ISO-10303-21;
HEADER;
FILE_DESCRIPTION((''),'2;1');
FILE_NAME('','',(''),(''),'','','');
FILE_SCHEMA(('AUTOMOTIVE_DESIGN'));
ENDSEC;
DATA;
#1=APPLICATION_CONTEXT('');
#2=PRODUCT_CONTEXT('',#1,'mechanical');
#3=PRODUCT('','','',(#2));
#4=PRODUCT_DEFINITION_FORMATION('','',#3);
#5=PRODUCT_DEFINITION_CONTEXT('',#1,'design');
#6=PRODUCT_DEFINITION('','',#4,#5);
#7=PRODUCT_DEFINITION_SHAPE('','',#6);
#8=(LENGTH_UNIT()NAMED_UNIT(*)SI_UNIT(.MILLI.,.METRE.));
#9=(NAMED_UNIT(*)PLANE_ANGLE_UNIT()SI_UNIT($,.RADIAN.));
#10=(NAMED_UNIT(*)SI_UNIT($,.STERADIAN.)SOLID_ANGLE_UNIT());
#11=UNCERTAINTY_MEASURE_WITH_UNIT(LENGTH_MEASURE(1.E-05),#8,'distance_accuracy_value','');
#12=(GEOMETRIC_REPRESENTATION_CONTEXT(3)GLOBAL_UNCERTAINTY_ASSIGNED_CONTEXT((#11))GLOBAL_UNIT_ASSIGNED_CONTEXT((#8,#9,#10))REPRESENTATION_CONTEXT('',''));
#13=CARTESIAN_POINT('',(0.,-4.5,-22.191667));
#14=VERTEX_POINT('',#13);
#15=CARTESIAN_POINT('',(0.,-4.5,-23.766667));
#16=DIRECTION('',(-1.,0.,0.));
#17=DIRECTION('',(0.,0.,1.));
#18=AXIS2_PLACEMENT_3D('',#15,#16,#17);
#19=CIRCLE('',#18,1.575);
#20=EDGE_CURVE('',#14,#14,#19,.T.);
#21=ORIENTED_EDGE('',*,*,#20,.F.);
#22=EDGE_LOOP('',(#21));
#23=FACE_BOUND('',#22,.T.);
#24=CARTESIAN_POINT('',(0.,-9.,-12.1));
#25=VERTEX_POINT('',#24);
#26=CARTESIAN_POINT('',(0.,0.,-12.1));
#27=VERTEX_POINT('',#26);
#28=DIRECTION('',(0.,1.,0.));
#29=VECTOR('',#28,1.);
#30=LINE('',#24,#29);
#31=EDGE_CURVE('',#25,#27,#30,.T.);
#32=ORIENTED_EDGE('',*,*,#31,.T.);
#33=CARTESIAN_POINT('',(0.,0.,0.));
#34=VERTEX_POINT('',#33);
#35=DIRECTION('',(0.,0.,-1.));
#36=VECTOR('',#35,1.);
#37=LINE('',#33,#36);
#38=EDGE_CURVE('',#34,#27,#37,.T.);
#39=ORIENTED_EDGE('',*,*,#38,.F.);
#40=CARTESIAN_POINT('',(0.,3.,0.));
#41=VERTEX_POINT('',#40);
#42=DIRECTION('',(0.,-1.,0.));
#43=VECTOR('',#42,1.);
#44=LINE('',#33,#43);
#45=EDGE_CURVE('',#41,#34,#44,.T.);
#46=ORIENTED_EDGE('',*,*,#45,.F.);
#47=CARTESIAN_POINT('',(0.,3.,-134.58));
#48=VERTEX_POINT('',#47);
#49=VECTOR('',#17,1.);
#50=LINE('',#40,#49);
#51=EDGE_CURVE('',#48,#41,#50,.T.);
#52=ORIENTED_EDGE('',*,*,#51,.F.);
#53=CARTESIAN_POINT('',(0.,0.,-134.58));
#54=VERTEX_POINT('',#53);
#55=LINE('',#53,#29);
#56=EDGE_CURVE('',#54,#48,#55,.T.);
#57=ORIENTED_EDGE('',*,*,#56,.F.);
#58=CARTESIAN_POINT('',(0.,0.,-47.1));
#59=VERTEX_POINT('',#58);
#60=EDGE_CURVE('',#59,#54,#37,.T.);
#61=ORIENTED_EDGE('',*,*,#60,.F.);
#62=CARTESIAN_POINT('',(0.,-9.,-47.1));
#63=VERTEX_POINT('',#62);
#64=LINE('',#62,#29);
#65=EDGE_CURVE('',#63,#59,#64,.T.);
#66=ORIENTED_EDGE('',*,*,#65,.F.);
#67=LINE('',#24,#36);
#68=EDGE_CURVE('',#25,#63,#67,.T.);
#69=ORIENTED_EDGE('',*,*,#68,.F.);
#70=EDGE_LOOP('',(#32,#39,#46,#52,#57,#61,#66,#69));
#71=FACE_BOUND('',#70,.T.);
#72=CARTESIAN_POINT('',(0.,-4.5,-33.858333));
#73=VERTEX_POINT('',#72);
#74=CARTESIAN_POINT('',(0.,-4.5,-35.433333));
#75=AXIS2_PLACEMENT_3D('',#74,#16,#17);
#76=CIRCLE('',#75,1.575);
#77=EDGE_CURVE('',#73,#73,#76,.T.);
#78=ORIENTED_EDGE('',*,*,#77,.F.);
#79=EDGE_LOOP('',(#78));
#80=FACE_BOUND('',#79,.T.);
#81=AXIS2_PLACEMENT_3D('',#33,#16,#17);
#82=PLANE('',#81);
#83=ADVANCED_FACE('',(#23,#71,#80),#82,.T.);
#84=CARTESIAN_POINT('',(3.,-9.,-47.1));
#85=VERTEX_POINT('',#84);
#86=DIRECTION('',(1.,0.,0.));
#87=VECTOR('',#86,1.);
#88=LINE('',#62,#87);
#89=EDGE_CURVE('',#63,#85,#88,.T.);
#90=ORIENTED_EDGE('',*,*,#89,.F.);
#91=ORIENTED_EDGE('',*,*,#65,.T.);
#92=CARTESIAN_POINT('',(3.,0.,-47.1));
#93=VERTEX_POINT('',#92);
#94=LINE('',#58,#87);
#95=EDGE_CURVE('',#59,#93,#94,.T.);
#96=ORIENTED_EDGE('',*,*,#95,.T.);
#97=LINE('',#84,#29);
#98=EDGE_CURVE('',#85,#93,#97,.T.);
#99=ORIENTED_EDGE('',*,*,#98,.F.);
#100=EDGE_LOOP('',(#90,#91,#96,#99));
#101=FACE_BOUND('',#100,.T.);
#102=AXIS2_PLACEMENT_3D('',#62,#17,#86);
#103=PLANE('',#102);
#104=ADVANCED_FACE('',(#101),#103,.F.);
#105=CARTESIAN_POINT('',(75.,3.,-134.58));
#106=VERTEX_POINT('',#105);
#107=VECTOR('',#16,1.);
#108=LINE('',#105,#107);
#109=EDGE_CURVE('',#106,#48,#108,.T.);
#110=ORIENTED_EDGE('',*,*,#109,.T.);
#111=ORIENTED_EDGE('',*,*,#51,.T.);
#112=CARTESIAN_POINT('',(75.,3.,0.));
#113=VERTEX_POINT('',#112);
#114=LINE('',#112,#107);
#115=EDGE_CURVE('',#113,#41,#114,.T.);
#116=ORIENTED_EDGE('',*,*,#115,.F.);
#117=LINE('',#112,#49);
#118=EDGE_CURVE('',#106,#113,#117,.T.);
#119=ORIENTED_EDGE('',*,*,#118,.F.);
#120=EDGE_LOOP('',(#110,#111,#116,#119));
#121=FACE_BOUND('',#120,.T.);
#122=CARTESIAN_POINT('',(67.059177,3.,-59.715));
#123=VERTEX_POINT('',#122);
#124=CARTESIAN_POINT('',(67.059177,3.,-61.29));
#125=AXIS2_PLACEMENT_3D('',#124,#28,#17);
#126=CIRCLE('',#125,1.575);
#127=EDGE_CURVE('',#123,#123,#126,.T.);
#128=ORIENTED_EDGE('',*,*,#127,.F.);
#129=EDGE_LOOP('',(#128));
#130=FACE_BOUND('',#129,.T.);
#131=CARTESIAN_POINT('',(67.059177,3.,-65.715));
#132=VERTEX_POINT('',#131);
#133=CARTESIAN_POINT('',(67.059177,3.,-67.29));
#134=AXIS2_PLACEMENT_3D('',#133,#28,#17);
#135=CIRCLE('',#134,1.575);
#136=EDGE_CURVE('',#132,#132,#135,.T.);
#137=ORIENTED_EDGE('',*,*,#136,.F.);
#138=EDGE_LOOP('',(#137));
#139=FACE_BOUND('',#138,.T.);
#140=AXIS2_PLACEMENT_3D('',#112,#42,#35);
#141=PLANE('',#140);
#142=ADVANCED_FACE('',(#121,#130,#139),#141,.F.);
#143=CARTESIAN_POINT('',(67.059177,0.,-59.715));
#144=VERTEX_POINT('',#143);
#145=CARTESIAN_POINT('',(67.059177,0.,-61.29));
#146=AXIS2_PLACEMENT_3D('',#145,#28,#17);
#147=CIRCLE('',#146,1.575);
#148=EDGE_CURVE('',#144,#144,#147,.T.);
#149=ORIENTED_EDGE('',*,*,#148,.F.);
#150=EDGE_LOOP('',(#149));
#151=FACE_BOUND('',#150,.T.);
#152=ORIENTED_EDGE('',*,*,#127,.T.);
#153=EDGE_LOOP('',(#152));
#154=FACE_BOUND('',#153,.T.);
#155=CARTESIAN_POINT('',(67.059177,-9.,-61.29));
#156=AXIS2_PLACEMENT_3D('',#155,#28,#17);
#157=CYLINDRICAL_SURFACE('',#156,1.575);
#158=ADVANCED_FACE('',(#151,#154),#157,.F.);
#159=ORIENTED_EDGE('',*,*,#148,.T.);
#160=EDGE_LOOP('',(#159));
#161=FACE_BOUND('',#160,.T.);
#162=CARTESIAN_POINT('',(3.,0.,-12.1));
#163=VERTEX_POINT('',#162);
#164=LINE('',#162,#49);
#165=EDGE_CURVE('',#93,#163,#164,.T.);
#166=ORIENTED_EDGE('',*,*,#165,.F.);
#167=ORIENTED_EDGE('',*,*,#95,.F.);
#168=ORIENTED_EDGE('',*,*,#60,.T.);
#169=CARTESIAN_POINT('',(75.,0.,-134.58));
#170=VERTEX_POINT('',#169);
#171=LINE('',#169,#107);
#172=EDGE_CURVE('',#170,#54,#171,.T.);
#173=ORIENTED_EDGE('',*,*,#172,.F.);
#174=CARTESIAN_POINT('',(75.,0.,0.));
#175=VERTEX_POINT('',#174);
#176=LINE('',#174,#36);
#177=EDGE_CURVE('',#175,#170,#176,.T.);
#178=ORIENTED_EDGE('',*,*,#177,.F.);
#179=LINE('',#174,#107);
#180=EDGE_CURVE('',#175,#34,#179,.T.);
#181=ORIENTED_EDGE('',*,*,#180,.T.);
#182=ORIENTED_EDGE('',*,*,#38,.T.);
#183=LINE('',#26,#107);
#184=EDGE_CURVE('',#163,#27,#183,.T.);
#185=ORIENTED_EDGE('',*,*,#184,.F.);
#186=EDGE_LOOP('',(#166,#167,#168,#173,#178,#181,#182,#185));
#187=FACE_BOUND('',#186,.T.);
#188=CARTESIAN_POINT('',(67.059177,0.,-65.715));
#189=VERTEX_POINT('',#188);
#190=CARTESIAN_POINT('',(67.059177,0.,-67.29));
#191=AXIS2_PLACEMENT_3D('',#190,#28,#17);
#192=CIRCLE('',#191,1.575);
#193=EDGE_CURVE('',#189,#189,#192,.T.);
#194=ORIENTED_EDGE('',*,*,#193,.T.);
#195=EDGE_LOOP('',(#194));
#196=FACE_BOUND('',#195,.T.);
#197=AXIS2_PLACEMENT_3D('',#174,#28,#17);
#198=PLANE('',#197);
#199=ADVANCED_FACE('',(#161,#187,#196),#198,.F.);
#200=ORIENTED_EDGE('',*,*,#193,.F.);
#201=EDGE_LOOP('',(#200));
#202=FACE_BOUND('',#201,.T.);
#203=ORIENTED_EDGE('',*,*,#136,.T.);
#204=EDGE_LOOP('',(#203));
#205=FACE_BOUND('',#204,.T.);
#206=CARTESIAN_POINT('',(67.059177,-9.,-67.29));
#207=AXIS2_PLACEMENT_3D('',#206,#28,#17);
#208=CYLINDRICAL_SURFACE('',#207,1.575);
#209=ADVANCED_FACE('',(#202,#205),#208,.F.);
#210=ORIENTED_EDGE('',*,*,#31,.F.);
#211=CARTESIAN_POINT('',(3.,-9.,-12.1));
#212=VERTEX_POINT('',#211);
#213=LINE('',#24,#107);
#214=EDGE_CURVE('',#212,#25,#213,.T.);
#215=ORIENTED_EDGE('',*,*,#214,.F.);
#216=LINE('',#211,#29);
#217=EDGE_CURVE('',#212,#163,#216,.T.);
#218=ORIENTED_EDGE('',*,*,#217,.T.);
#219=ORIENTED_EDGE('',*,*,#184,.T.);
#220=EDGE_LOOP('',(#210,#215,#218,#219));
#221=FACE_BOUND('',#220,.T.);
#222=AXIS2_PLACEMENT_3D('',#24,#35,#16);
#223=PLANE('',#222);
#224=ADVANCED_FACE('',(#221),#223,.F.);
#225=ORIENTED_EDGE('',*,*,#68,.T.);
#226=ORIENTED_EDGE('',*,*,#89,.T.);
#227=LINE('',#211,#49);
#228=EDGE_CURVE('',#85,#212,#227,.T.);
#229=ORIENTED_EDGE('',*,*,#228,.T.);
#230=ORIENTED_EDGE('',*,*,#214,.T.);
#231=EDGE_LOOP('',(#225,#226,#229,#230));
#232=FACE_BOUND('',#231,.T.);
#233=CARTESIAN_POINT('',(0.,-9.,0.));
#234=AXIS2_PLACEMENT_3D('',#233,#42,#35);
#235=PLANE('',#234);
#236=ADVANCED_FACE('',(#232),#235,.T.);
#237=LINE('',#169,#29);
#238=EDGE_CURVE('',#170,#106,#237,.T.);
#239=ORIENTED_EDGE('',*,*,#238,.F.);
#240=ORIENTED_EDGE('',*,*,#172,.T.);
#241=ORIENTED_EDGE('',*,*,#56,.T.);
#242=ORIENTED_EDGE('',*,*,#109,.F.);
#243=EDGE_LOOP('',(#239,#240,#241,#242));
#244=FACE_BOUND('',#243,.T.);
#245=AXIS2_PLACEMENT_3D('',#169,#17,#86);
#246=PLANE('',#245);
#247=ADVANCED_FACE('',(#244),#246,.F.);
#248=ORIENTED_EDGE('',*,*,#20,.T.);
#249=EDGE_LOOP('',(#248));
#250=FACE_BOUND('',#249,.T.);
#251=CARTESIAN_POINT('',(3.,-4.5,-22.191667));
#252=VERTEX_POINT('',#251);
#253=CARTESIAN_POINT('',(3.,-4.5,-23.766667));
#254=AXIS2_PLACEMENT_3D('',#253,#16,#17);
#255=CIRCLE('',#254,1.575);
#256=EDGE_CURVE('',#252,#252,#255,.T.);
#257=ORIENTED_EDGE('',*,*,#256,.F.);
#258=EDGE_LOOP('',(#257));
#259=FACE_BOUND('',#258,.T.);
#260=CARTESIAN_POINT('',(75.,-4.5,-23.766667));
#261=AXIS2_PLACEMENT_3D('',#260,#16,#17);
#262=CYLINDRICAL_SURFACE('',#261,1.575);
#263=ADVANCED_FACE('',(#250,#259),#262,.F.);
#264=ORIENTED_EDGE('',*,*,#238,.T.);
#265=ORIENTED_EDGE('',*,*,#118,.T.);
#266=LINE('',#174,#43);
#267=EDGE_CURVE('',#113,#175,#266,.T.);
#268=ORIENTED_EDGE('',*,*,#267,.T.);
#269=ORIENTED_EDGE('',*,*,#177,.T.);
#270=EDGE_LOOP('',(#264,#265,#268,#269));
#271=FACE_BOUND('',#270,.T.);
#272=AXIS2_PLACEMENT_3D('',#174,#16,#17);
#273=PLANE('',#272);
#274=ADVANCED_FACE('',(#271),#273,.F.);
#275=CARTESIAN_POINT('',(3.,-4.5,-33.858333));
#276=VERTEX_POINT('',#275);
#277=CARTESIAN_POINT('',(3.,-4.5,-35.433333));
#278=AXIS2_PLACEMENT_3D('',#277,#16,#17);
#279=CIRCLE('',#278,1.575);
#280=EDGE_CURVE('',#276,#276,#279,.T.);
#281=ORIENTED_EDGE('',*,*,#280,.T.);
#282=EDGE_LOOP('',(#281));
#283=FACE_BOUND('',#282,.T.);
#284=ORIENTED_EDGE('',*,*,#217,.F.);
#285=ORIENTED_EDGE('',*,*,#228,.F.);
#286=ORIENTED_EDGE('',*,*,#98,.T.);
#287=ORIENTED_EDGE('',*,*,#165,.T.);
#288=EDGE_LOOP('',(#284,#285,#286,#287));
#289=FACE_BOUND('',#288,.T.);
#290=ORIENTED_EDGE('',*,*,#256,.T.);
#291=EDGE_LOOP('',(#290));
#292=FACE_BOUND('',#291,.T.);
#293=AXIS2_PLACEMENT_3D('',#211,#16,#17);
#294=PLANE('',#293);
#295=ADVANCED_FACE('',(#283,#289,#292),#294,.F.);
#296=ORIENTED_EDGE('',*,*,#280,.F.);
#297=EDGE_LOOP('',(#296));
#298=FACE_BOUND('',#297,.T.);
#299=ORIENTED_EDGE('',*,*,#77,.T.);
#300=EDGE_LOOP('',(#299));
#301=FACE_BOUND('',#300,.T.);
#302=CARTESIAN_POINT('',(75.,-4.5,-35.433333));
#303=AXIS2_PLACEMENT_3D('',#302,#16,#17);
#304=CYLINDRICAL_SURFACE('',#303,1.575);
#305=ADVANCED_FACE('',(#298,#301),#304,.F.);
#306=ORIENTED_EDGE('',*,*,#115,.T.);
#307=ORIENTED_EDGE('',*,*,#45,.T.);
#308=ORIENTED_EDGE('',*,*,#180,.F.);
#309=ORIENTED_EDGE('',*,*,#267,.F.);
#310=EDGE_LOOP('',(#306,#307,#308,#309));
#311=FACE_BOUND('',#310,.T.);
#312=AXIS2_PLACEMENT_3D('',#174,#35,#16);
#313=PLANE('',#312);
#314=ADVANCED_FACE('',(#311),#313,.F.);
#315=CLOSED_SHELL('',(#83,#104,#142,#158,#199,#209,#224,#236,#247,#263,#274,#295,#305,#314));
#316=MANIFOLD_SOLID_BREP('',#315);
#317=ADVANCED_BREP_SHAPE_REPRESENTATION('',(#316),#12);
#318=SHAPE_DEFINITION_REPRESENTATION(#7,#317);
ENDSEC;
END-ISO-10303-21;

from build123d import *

# Parameters (mm, degrees)
SKETCH1_W           = 134.58
SKETCH1_H           = 3
BOSS_EXTRUDE1_DEPTH = 75
SKETCH2_W           = 3
SKETCH2_H           = 35
BOSS_EXTRUDE2_DEPTH = 9
SKETCH3_R           = 1.575
CUT_EXTRUDE1_DEPTH  = 155.330089095
SKETCH5_R           = 1.575
CUT_EXTRUDE2_DEPTH  = 155.534062265


with BuildPart() as part:
    # Sketch1 → Boss-Extrude1 (new body)
    with BuildSketch(Plane(origin=(0, 0, 0), x_dir=(0, 0, -1), z_dir=(1, 0, 0))):
        with Locations((67.29, 1.5)):
            Rectangle(SKETCH1_W, SKETCH1_H)
    extrude(amount=BOSS_EXTRUDE1_DEPTH)

    # Sketch2 → Boss-Extrude2 (add)
    with BuildSketch(Plane.XZ):
        with Locations((1.5, -29.6)):
            Rectangle(SKETCH2_W, SKETCH2_H)
    extrude(amount=BOSS_EXTRUDE2_DEPTH)

    # Sketch3 → Cut-Extrude1 (cut, through all)
    with BuildSketch(Plane.ZY):
        with Locations((-23.766666667, -4.5)):
            Circle(SKETCH3_R)
        with Locations((-35.433333333, -4.5)):
            Circle(SKETCH3_R)
    extrude(amount=-CUT_EXTRUDE1_DEPTH, mode=Mode.SUBTRACT)

    # Sketch5 → Cut-Extrude2 (cut, through all)
    with BuildSketch(Plane(origin=(0, 3, 0), x_dir=(1, 0, 0), z_dir=(0, 1, 0))):
        with Locations(Location((67.059177496, 61.29, 0), (0, 0, 270))):
            Circle(SKETCH5_R)
        with Locations(Location((67.059177496, 67.29, 0), (0, 0, 270))):
            Circle(SKETCH5_R)
    extrude(amount=-CUT_EXTRUDE2_DEPTH, mode=Mode.SUBTRACT)


solid = part.part
